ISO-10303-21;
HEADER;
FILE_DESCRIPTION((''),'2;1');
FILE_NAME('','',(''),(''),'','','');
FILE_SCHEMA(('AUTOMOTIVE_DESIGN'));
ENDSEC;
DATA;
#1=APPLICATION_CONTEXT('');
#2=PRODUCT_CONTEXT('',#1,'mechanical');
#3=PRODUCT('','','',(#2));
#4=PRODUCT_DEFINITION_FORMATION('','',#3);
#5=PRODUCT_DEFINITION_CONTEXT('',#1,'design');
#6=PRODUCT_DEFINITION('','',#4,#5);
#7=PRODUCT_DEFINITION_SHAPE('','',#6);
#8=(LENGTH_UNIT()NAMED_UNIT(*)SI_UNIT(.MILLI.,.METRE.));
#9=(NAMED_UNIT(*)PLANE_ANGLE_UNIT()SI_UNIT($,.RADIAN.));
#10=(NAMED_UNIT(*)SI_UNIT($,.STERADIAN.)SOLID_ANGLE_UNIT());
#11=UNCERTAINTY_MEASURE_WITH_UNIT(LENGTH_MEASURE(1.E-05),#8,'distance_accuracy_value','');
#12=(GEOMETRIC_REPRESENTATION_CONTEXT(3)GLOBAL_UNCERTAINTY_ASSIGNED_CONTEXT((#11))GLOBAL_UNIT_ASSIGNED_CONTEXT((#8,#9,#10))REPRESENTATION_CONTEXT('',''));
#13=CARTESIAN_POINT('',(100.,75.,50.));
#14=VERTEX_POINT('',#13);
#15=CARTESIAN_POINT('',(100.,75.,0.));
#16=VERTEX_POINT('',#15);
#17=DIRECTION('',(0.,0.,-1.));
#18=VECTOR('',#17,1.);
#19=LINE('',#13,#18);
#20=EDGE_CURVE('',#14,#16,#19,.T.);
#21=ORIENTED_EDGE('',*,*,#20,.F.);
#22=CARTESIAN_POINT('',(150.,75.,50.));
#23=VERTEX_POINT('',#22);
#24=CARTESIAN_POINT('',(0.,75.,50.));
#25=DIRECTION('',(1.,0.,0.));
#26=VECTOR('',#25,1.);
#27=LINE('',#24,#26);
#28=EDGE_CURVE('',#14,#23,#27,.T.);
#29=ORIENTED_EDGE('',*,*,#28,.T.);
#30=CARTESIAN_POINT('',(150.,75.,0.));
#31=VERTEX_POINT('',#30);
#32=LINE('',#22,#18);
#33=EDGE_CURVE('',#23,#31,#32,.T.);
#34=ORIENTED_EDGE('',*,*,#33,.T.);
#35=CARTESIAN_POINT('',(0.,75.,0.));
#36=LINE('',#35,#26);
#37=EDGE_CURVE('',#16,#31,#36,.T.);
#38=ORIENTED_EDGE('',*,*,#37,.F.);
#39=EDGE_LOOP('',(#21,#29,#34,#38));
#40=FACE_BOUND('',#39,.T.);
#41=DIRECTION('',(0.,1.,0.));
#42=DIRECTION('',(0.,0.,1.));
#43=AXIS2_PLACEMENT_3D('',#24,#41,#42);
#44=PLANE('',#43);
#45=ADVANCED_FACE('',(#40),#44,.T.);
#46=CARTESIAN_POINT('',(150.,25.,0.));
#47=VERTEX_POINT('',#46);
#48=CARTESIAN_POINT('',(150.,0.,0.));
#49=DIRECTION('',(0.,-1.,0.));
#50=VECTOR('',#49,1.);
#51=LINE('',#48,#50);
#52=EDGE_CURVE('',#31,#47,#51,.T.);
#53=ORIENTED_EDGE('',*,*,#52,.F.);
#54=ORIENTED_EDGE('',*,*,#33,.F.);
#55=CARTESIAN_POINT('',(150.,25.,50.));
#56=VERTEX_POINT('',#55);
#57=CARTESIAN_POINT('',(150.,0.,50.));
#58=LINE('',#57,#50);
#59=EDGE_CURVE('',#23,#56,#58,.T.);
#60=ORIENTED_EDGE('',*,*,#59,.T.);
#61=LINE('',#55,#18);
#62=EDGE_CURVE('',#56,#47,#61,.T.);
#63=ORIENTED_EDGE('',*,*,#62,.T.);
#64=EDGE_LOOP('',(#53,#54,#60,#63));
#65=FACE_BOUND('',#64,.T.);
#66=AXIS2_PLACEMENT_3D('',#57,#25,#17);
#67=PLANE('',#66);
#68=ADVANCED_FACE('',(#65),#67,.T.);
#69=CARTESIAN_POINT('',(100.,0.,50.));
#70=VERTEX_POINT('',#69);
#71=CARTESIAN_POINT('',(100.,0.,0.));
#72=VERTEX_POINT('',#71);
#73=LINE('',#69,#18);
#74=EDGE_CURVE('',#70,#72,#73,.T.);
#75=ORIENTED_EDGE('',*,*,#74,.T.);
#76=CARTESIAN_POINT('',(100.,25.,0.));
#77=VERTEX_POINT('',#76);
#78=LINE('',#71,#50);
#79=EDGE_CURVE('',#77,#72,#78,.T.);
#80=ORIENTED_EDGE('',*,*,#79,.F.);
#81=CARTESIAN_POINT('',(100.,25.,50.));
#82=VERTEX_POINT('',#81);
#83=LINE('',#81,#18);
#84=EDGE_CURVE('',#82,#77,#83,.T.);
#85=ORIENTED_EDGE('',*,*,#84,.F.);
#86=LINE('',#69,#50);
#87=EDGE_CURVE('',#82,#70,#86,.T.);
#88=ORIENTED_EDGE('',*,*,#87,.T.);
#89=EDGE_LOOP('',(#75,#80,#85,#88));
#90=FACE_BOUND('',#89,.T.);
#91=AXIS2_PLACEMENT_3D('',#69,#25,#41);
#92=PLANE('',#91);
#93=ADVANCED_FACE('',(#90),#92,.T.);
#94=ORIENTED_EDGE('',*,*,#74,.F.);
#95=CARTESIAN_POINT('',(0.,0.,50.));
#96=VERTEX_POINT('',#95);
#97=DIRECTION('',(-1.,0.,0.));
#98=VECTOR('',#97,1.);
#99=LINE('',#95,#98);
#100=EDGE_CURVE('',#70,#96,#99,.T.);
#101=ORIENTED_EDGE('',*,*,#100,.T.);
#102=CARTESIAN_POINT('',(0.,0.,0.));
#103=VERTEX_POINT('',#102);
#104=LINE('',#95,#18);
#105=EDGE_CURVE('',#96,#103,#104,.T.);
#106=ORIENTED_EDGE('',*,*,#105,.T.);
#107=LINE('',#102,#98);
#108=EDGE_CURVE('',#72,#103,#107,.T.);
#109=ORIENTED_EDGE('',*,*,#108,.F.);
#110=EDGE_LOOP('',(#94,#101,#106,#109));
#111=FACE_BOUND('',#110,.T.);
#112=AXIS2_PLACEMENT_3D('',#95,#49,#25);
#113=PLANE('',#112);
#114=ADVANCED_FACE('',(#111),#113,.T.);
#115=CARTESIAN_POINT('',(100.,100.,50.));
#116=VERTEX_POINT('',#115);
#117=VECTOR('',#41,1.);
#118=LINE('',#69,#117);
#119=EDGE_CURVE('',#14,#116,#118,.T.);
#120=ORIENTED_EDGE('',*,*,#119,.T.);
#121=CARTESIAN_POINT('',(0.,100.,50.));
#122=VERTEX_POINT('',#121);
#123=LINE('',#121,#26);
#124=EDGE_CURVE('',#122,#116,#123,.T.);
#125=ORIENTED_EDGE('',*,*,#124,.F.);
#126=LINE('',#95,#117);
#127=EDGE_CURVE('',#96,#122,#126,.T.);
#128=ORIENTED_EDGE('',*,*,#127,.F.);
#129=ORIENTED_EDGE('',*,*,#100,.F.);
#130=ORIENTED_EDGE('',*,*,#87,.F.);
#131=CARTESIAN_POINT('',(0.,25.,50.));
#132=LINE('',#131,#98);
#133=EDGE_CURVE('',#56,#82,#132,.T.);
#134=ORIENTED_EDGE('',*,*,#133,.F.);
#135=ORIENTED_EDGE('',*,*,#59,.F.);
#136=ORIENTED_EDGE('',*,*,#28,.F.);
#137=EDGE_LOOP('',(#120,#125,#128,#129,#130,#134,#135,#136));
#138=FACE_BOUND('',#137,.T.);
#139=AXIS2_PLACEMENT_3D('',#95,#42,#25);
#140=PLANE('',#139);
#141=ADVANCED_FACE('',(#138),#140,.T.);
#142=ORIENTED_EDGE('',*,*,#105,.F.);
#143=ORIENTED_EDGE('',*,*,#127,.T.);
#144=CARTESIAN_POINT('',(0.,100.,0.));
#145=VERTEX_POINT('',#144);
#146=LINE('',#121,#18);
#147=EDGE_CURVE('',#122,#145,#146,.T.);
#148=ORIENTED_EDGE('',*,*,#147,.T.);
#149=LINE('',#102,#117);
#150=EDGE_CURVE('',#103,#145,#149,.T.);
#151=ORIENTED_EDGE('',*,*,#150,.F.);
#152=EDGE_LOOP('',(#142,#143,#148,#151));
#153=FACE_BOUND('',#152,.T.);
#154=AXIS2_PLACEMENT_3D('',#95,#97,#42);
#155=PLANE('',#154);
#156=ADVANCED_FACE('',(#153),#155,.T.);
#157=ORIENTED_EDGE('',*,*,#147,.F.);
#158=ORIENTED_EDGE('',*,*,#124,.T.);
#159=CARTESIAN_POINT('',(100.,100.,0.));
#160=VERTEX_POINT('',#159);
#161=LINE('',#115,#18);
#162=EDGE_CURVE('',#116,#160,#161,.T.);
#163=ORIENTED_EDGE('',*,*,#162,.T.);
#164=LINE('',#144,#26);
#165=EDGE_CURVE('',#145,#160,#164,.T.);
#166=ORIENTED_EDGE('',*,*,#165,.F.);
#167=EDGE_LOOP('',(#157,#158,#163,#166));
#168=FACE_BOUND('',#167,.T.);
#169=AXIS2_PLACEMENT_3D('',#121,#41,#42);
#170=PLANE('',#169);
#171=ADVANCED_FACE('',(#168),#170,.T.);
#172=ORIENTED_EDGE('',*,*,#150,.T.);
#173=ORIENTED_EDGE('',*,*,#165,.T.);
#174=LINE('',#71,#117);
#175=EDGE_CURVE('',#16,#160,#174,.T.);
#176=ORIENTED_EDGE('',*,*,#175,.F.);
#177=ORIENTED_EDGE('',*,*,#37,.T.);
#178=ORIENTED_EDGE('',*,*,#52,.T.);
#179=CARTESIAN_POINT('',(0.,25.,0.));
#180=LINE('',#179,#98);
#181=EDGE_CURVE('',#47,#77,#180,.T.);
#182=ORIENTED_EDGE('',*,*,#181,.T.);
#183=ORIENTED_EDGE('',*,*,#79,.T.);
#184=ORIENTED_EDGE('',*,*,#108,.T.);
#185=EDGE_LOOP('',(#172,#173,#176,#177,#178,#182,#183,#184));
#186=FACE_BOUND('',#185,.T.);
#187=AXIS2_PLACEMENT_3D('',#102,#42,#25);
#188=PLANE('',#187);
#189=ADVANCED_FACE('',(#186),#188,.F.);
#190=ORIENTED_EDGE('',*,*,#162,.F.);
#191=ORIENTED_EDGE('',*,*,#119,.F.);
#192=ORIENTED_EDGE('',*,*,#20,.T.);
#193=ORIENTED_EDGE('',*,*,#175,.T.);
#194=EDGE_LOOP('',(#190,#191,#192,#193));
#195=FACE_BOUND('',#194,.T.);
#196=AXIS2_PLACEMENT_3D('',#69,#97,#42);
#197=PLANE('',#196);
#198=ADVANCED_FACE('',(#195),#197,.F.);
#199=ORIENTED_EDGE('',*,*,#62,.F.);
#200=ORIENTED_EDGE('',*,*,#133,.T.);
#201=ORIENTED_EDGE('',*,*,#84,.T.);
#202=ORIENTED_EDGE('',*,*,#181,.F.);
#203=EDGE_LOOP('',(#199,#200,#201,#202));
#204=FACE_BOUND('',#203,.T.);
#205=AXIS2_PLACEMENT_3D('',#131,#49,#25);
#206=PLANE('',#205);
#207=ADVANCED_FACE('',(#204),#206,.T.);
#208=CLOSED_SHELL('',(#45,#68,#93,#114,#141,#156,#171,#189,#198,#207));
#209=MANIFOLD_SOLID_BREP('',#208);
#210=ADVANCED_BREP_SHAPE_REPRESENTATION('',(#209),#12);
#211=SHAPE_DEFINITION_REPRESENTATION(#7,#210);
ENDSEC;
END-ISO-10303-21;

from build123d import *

# Parameters (mm, degrees)
SCHIZZO1_W                   = 50
SCHIZZO1_H                   = 50
ESTRUSIONE_ESTRUSIONE1_DEPTH = 50


with BuildPart() as part:
    # Schizzo1 → Estrusione-Estrusione1 (new body)
    with BuildSketch(Plane.XY):
        with Locations((25, 75)):
            Rectangle(SCHIZZO1_W, SCHIZZO1_H)
        with Locations((25, 25)):
            Rectangle(SCHIZZO1_W, SCHIZZO1_H)
        Polygon((50, 50), (50, 0), (100, 0), (100, 25), (100, 50), align=None)
        Polygon((50, 100), (50, 50), (100, 50), (100, 75), (100, 100), align=None)
        with Locations((125, 50)):
            Rectangle(SCHIZZO1_W, SCHIZZO1_H)
    extrude(amount=ESTRUSIONE_ESTRUSIONE1_DEPTH)


solid = part.part
